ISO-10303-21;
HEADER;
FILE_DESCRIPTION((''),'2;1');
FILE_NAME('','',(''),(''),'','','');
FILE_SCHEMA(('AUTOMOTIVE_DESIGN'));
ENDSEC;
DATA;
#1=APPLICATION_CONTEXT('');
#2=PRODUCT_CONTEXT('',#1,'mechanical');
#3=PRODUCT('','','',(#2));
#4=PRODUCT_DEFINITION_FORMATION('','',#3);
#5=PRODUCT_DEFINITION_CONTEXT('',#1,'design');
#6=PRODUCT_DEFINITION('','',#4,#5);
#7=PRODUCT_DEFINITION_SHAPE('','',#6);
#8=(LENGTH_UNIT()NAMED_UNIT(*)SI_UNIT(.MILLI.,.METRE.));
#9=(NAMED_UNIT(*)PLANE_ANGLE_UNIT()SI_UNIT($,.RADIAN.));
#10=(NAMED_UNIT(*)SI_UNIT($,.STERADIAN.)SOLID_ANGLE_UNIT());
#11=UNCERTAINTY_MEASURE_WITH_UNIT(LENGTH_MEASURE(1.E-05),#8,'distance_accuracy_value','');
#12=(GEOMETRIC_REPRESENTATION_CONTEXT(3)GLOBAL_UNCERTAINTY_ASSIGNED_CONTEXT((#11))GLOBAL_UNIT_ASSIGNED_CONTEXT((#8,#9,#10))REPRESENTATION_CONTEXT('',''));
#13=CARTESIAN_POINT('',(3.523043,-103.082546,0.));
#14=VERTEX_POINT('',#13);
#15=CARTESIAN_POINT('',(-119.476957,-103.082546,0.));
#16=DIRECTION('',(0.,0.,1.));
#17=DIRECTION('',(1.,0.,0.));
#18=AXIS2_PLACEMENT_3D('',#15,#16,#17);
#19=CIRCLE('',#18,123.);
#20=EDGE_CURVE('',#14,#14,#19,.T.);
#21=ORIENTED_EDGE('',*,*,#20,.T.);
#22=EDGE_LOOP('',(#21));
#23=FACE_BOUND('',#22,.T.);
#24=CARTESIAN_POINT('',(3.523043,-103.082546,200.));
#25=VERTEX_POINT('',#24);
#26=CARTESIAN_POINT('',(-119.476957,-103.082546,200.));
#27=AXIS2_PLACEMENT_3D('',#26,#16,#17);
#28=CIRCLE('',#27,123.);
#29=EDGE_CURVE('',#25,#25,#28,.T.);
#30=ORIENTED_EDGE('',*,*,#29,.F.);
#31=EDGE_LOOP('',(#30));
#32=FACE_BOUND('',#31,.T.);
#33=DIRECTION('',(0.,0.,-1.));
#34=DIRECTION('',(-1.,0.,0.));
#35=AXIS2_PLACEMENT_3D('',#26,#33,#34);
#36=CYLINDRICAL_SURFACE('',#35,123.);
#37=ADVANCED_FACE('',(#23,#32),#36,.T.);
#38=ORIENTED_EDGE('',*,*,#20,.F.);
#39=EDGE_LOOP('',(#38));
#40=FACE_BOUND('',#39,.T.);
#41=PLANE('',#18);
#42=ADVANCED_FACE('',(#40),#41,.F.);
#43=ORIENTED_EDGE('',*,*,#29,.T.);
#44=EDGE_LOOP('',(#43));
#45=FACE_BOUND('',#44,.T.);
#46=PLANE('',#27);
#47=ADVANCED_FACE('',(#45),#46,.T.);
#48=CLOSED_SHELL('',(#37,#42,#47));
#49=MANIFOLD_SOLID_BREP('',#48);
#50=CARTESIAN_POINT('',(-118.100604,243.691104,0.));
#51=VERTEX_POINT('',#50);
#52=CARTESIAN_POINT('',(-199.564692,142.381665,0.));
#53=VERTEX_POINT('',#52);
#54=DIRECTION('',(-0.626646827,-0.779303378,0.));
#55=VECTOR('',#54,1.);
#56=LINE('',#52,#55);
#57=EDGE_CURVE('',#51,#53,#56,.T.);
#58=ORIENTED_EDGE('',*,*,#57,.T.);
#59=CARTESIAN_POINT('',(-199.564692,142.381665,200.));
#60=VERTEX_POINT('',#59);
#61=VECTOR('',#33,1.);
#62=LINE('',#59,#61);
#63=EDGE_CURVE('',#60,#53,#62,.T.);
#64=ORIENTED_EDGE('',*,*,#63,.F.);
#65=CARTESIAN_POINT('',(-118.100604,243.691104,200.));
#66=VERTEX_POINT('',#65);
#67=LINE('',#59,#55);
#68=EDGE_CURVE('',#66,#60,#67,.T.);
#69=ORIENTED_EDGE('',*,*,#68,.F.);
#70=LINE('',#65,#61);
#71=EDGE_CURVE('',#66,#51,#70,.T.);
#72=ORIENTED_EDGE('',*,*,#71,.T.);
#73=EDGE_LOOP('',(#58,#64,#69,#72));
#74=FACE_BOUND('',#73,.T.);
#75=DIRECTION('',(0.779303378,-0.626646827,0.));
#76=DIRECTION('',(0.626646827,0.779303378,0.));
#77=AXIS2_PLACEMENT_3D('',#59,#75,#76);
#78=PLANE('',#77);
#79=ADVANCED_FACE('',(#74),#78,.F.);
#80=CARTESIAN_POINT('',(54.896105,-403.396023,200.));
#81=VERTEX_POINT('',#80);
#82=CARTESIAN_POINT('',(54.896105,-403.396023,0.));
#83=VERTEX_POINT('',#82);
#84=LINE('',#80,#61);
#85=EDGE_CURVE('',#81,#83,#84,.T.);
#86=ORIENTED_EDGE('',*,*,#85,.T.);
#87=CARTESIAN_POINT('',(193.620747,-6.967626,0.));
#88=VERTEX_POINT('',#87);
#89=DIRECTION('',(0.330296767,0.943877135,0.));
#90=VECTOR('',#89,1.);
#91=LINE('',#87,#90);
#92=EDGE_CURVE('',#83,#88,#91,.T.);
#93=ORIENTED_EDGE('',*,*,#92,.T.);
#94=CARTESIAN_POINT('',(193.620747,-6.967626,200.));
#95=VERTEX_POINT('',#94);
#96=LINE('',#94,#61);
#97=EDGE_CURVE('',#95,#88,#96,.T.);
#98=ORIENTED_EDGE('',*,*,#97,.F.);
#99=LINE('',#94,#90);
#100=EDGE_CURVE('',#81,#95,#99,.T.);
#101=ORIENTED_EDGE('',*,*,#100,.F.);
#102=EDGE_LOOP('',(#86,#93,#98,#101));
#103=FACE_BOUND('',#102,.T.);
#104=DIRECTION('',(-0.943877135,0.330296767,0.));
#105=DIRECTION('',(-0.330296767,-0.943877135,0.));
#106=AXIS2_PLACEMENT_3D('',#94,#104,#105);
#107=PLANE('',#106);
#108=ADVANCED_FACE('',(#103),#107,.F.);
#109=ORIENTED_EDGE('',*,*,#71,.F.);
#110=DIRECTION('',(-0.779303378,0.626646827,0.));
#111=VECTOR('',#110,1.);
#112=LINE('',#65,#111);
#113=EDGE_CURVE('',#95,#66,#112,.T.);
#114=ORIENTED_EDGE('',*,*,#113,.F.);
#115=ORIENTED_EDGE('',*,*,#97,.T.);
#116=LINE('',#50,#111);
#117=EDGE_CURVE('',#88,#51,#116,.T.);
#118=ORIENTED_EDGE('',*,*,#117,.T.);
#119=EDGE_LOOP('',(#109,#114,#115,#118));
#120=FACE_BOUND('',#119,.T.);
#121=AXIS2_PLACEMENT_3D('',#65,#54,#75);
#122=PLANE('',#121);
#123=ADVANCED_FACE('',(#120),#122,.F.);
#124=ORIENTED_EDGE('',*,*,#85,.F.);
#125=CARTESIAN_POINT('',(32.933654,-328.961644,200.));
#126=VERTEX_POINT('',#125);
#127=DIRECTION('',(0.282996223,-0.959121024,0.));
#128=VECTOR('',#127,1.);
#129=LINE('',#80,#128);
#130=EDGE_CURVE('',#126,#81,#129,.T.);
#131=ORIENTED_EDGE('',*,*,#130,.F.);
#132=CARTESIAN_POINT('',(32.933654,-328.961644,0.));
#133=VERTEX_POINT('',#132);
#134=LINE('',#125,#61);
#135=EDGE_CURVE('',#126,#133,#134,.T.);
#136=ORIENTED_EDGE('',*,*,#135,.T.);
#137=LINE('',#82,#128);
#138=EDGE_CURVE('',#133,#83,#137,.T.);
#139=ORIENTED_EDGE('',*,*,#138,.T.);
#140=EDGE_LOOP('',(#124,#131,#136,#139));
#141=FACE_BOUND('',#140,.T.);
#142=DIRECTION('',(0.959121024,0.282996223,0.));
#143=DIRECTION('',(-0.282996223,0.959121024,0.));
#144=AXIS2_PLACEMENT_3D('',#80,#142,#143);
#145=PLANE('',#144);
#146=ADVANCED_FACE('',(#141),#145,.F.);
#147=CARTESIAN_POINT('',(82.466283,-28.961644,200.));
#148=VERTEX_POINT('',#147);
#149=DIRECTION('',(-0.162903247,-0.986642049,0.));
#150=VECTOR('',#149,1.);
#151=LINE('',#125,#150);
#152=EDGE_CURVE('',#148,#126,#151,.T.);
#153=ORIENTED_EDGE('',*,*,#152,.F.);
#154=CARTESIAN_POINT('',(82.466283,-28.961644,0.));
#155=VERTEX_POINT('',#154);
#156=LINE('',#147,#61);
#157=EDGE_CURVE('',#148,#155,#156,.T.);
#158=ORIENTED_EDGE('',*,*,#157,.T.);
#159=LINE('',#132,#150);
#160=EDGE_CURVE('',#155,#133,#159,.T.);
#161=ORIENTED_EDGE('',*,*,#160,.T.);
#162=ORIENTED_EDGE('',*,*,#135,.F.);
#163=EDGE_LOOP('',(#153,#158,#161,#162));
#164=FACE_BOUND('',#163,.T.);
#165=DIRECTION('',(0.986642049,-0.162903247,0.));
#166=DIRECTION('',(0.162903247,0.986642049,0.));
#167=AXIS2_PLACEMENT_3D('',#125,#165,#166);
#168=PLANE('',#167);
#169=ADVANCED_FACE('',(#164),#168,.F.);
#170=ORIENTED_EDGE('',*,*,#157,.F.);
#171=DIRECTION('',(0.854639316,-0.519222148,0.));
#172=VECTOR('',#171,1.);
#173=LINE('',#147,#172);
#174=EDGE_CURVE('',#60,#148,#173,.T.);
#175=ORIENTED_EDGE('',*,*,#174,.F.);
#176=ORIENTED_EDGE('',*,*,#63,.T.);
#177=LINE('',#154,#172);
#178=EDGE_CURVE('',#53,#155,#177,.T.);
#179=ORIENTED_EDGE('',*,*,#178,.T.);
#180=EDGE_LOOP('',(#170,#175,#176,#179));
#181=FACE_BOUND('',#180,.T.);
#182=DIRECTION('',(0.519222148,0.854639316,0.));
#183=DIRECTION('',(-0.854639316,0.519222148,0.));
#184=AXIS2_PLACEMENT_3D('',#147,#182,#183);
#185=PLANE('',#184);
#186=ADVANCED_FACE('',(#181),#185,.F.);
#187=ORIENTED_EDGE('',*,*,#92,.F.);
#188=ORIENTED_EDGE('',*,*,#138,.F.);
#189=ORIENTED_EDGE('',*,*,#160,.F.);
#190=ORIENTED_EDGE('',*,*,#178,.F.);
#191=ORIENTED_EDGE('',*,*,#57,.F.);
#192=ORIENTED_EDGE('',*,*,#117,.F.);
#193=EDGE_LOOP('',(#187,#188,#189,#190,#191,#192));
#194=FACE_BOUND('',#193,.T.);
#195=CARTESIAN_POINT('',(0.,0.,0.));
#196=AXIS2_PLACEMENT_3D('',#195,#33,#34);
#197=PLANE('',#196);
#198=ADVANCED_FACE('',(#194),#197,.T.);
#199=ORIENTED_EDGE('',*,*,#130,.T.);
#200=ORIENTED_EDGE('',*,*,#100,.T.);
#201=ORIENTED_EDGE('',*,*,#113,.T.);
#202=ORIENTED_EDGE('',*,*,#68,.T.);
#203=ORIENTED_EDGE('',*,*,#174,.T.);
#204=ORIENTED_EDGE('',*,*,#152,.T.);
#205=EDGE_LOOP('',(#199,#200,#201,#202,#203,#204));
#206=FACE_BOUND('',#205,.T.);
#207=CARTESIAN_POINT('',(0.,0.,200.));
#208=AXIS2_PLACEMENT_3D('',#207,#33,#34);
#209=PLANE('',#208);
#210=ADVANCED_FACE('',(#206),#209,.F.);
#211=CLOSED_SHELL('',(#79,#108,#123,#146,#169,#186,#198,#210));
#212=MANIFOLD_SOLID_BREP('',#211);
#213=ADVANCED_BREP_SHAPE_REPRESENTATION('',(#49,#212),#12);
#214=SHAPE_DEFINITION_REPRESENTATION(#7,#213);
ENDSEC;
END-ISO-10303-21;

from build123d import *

# Parameters (mm, degrees)
SKETCH_1_R        = 123
EXTRUDE_1_DEPTH   = 200
EXTRUDE_1_2_DEPTH = 200


with BuildPart() as part:
    # 草图1 → 凸台-拉伸1 (new body)
    with BuildSketch(Plane.XY):
        with Locations((-119.476957208, -103.08254604)):
            Circle(SKETCH_1_R)
    extrude(amount=EXTRUDE_1_DEPTH)


with BuildPart() as body_2:
    # 草图1 → Extrude 1 2 (new body)
    with BuildSketch(Plane.XY):
        Polygon((-118.10060406, 243.691104315), (193.620746945, -6.967626489), (54.896105, -403.396023198), (32.933654212, -328.961643632), (82.466282801, -28.961643632), (-199.564691571, 142.381665239), align=None)
    extrude(amount=EXTRUDE_1_2_DEPTH)


solid = Compound([part.part, body_2.part])
